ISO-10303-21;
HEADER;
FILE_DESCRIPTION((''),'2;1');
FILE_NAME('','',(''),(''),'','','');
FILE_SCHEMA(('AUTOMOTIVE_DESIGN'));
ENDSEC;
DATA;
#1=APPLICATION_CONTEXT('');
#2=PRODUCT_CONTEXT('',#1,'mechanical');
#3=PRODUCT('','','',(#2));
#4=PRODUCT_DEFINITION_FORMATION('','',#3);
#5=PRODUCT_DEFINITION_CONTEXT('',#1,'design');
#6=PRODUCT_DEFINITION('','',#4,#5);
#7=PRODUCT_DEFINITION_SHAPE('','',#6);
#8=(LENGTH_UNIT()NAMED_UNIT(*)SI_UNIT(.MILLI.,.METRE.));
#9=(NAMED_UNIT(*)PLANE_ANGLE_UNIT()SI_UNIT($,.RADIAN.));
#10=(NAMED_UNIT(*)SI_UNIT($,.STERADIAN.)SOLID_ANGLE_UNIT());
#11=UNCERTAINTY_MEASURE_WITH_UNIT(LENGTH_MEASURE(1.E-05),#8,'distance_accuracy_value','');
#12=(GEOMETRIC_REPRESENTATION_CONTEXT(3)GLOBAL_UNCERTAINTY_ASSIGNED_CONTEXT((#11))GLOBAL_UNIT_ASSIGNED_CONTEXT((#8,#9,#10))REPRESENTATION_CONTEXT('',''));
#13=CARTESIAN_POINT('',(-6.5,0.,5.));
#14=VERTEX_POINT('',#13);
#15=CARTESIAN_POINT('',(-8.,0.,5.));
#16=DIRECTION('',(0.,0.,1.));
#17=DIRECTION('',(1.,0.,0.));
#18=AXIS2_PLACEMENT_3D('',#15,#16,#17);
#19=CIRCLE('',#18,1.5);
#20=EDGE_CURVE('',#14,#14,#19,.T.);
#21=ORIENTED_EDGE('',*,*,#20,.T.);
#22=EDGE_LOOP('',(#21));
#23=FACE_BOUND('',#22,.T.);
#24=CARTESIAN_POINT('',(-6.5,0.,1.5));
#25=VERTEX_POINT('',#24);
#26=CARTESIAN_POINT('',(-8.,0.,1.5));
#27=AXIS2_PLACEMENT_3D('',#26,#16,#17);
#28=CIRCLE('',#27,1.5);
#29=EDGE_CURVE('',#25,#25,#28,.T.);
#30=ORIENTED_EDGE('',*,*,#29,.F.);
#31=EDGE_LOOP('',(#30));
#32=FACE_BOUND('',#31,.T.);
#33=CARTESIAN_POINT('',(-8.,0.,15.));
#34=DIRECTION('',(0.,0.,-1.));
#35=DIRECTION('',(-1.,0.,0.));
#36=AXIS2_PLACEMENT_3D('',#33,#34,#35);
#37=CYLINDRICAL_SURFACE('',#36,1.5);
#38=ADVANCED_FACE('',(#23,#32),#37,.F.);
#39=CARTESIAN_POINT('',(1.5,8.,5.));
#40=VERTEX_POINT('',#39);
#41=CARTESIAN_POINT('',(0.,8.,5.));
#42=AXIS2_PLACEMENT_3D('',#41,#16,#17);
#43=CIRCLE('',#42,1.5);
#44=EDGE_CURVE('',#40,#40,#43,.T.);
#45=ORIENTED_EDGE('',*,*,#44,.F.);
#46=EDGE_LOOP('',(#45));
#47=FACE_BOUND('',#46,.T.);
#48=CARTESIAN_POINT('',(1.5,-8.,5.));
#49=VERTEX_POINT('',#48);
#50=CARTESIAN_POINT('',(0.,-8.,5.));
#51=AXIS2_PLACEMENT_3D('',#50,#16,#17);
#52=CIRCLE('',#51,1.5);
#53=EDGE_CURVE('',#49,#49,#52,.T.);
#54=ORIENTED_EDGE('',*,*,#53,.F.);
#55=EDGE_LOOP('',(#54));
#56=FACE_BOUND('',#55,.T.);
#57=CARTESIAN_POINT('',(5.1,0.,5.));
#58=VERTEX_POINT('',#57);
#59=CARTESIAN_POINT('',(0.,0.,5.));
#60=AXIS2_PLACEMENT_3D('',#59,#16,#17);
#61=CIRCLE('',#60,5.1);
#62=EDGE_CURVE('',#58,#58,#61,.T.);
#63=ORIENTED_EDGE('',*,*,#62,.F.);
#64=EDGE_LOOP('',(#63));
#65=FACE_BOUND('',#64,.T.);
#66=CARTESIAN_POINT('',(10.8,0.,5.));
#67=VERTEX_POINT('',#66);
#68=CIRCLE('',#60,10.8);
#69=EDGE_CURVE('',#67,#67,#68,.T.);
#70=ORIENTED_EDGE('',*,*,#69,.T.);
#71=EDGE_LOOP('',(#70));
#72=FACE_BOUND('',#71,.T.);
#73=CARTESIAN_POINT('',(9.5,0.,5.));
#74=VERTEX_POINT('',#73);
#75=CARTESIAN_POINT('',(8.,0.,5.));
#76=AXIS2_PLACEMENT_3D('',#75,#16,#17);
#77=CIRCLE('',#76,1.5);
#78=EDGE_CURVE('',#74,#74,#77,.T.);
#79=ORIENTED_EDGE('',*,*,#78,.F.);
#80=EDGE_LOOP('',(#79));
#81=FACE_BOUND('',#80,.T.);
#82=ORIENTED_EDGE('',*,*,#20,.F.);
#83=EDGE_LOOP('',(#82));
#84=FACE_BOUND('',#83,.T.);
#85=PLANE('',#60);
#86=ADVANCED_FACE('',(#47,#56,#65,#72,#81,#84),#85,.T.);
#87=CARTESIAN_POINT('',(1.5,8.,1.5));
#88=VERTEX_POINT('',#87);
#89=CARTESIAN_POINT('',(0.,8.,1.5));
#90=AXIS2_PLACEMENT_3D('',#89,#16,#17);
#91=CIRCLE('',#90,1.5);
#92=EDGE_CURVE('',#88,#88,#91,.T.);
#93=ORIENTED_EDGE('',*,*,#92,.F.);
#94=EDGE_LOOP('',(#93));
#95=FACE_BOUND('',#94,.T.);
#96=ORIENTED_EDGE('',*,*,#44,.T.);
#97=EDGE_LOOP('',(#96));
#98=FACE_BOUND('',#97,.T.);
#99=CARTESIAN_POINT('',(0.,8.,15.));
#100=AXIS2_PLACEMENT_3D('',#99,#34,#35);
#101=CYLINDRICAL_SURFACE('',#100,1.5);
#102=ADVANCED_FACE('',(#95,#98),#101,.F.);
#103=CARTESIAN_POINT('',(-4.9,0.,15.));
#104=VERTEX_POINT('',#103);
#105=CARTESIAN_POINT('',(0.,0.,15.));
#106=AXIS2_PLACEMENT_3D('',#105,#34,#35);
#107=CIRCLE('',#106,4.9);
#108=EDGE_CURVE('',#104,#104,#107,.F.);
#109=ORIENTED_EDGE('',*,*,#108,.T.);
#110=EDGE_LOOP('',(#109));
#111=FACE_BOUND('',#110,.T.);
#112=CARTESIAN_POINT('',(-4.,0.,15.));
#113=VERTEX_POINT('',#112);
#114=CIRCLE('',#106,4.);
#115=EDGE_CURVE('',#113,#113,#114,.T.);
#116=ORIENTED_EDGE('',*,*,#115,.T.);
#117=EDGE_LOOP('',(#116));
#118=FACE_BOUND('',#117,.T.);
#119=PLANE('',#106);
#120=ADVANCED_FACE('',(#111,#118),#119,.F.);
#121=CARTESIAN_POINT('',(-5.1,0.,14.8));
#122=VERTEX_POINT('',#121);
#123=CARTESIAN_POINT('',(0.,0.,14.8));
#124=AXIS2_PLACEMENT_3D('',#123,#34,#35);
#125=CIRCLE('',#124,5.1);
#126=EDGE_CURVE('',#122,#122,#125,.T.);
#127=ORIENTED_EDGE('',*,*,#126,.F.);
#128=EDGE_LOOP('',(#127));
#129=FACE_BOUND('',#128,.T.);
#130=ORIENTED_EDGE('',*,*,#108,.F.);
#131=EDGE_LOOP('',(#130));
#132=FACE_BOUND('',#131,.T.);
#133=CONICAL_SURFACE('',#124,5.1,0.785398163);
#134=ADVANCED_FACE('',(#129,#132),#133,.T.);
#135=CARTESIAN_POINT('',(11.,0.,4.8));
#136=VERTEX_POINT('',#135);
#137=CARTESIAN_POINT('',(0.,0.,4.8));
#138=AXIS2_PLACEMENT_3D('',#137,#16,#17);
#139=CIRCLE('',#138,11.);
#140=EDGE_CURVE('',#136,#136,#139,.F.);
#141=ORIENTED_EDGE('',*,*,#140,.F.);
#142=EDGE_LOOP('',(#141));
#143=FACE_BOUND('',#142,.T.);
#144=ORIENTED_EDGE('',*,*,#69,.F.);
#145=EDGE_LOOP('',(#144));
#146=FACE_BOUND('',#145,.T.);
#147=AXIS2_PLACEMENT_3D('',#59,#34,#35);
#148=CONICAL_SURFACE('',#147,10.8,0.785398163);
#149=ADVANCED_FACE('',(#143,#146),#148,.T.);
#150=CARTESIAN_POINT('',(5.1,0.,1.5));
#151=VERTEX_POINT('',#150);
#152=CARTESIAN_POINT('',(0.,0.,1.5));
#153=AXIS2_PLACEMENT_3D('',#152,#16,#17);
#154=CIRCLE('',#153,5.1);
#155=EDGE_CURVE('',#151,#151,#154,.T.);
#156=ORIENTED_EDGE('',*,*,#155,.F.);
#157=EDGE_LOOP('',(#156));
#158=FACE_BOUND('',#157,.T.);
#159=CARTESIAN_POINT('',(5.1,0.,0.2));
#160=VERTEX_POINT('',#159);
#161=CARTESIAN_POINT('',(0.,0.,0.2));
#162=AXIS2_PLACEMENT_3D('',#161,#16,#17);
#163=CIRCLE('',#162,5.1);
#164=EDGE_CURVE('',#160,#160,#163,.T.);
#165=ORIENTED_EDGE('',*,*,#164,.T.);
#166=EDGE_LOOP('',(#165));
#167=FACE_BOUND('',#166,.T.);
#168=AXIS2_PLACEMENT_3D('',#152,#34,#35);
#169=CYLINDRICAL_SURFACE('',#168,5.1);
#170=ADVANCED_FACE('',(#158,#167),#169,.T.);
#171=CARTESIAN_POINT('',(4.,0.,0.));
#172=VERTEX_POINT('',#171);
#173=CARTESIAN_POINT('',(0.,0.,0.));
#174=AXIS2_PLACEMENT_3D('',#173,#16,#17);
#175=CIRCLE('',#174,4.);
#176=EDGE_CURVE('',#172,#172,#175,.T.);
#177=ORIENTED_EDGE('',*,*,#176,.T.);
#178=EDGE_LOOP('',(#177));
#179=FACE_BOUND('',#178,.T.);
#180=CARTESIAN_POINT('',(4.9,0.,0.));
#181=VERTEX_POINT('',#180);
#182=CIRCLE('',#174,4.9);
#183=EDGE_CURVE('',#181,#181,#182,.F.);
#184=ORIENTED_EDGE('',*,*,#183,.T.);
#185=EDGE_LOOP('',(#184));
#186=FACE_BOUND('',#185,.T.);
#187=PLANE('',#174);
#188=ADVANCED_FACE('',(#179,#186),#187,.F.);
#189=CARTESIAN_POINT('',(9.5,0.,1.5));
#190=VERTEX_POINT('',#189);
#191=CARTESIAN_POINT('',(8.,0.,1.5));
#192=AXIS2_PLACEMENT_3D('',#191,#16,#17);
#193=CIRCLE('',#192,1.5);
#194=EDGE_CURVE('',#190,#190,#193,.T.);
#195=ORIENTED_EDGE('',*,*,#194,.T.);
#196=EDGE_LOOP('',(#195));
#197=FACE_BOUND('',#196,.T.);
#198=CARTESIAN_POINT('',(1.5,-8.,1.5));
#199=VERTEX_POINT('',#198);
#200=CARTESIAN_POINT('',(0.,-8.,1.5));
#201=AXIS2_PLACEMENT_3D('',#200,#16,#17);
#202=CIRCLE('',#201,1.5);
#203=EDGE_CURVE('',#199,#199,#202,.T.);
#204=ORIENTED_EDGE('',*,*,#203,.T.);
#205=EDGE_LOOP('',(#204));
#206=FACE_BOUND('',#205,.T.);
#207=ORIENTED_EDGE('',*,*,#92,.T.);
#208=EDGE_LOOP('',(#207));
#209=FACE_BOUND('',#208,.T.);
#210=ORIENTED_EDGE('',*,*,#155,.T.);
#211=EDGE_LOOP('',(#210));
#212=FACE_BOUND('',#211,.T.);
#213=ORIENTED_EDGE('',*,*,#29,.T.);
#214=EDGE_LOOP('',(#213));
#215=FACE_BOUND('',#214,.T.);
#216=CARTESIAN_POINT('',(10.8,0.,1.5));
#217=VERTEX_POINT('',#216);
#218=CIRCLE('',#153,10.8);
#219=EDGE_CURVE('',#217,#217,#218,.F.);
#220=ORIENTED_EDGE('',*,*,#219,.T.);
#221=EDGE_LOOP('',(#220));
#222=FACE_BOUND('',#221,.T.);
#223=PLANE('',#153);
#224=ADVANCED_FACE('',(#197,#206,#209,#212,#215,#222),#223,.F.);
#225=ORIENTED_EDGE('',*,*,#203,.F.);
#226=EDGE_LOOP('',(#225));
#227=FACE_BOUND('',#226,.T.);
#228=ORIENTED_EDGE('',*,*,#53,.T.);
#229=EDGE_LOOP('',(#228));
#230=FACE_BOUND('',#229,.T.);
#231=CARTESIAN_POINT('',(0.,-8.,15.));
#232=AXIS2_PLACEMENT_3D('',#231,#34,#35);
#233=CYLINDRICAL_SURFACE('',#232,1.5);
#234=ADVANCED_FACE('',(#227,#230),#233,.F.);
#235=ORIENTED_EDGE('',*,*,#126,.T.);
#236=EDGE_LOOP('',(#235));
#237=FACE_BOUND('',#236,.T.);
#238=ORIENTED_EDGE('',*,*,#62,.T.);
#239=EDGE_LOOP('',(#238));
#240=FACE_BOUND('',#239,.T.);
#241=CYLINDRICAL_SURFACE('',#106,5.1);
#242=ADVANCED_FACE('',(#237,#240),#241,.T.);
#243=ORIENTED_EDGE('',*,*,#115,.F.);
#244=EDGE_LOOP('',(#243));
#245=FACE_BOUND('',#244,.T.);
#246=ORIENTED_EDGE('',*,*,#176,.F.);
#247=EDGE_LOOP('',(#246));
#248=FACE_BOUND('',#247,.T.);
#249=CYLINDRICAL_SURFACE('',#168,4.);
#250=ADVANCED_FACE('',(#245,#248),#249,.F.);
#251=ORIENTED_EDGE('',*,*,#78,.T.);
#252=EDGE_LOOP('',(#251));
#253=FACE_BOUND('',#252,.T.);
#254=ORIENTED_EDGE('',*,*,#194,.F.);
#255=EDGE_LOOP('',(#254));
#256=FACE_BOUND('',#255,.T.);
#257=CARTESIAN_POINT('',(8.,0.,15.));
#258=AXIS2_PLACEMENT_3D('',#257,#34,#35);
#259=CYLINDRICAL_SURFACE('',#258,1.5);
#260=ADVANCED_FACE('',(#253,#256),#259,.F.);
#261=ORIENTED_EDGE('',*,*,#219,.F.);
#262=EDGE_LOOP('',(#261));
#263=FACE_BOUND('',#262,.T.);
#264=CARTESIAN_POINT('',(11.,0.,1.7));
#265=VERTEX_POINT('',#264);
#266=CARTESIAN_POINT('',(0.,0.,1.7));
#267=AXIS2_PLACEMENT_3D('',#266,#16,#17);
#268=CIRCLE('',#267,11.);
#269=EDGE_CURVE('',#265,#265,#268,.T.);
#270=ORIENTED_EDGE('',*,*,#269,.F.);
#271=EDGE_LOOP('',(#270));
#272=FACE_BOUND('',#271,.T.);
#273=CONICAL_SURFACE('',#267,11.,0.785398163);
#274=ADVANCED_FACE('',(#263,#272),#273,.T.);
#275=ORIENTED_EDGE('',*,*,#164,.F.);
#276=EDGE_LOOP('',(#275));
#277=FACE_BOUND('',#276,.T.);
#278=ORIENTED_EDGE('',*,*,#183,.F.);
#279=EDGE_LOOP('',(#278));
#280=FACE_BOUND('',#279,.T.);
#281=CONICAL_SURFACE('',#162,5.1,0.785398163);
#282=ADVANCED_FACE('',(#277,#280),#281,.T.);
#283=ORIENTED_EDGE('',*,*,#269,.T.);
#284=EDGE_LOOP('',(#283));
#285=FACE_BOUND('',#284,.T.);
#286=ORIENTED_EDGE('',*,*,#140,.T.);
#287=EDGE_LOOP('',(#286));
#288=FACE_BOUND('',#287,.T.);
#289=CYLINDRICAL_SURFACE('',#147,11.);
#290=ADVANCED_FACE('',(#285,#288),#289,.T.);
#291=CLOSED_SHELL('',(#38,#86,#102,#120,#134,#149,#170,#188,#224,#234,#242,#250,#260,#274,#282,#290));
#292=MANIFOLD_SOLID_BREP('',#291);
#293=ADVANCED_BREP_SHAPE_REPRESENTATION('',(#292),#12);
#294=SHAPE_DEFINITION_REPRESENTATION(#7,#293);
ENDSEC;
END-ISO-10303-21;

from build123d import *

# Parameters (mm, degrees)
SKETCH1_R               = 5.1
SKETCH1_R_2             = 4
BOSS_EXTRUDE1_DEPTH     = 1.5
SKETCH2_R               = 11
SKETCH2_R_2             = 4
BOSS_EXTRUDE2_DEPTH     = 3.5
SKETCH3_R               = 5.1
SKETCH3_R_2             = 4
BOSS_EXTRUDE3_DEPTH     = 15
CUT_EXTRUDE1_DEPTH      = 21.597329924
CUT_EXTRUDE1_DEPTH_BACK = 21.597329924
SKETCH4_R               = 1.5
CHAMFER1_SIZE           = 0.2


with BuildPart() as part:
    # Sketch1 → Boss-Extrude1 (new body)
    with BuildSketch(Plane.XY):
        Circle(SKETCH1_R)
        Circle(SKETCH1_R_2, mode=Mode.SUBTRACT)
    extrude(amount=BOSS_EXTRUDE1_DEPTH)

    # Sketch2 → Boss-Extrude2 (add)
    with BuildSketch(Plane.XY.offset(1.5)):
        Circle(SKETCH2_R)
        Circle(SKETCH2_R_2, mode=Mode.SUBTRACT)
    extrude(amount=BOSS_EXTRUDE2_DEPTH)

    # Sketch3 → Boss-Extrude3 (add)
    with BuildSketch(Plane(origin=(0, 0, 0), x_dir=(-1, 0, 0), z_dir=(0, 0, -1))):
        with Locations(Location((0, 0, 0), (0, 0, 180))):
            Circle(SKETCH3_R)
        Circle(SKETCH3_R_2, mode=Mode.SUBTRACT)
    extrude(amount=-BOSS_EXTRUDE3_DEPTH)

    # Sketch4 → Cut-Extrude1 (cut, two sides: drawn at the far end of the back side and taken through both)
    with BuildSketch(Plane(origin=(0, 0, 1.5), x_dir=(-1, 0, 0), z_dir=(0, 0, -1)).offset(-CUT_EXTRUDE1_DEPTH_BACK)):
        with Locations(Location((0, 8, 0), (0, 0, 180))):
            Circle(SKETCH4_R)
        with Locations(Location((8, 0, 0), (0, 0, 180))):
            Circle(SKETCH4_R)
        with Locations(Location((0, -8, 0), (0, 0, 180))):
            Circle(SKETCH4_R)
        with Locations(Location((-8, 0, 0), (0, 0, 180))):
            Circle(SKETCH4_R)
    extrude(amount=CUT_EXTRUDE1_DEPTH + CUT_EXTRUDE1_DEPTH_BACK, mode=Mode.SUBTRACT)

    # Chamfer1
    chamfer1_edges = [part.edges().sort_by_distance(p)[0] for p in [
        (-11, 0, 5),
        (-11, 0, 1.5),
        (-5.1, 0, 15),
        (-5.1, 0, 0),
    ]]
    chamfer(chamfer1_edges, length=CHAMFER1_SIZE)


solid = part.part
